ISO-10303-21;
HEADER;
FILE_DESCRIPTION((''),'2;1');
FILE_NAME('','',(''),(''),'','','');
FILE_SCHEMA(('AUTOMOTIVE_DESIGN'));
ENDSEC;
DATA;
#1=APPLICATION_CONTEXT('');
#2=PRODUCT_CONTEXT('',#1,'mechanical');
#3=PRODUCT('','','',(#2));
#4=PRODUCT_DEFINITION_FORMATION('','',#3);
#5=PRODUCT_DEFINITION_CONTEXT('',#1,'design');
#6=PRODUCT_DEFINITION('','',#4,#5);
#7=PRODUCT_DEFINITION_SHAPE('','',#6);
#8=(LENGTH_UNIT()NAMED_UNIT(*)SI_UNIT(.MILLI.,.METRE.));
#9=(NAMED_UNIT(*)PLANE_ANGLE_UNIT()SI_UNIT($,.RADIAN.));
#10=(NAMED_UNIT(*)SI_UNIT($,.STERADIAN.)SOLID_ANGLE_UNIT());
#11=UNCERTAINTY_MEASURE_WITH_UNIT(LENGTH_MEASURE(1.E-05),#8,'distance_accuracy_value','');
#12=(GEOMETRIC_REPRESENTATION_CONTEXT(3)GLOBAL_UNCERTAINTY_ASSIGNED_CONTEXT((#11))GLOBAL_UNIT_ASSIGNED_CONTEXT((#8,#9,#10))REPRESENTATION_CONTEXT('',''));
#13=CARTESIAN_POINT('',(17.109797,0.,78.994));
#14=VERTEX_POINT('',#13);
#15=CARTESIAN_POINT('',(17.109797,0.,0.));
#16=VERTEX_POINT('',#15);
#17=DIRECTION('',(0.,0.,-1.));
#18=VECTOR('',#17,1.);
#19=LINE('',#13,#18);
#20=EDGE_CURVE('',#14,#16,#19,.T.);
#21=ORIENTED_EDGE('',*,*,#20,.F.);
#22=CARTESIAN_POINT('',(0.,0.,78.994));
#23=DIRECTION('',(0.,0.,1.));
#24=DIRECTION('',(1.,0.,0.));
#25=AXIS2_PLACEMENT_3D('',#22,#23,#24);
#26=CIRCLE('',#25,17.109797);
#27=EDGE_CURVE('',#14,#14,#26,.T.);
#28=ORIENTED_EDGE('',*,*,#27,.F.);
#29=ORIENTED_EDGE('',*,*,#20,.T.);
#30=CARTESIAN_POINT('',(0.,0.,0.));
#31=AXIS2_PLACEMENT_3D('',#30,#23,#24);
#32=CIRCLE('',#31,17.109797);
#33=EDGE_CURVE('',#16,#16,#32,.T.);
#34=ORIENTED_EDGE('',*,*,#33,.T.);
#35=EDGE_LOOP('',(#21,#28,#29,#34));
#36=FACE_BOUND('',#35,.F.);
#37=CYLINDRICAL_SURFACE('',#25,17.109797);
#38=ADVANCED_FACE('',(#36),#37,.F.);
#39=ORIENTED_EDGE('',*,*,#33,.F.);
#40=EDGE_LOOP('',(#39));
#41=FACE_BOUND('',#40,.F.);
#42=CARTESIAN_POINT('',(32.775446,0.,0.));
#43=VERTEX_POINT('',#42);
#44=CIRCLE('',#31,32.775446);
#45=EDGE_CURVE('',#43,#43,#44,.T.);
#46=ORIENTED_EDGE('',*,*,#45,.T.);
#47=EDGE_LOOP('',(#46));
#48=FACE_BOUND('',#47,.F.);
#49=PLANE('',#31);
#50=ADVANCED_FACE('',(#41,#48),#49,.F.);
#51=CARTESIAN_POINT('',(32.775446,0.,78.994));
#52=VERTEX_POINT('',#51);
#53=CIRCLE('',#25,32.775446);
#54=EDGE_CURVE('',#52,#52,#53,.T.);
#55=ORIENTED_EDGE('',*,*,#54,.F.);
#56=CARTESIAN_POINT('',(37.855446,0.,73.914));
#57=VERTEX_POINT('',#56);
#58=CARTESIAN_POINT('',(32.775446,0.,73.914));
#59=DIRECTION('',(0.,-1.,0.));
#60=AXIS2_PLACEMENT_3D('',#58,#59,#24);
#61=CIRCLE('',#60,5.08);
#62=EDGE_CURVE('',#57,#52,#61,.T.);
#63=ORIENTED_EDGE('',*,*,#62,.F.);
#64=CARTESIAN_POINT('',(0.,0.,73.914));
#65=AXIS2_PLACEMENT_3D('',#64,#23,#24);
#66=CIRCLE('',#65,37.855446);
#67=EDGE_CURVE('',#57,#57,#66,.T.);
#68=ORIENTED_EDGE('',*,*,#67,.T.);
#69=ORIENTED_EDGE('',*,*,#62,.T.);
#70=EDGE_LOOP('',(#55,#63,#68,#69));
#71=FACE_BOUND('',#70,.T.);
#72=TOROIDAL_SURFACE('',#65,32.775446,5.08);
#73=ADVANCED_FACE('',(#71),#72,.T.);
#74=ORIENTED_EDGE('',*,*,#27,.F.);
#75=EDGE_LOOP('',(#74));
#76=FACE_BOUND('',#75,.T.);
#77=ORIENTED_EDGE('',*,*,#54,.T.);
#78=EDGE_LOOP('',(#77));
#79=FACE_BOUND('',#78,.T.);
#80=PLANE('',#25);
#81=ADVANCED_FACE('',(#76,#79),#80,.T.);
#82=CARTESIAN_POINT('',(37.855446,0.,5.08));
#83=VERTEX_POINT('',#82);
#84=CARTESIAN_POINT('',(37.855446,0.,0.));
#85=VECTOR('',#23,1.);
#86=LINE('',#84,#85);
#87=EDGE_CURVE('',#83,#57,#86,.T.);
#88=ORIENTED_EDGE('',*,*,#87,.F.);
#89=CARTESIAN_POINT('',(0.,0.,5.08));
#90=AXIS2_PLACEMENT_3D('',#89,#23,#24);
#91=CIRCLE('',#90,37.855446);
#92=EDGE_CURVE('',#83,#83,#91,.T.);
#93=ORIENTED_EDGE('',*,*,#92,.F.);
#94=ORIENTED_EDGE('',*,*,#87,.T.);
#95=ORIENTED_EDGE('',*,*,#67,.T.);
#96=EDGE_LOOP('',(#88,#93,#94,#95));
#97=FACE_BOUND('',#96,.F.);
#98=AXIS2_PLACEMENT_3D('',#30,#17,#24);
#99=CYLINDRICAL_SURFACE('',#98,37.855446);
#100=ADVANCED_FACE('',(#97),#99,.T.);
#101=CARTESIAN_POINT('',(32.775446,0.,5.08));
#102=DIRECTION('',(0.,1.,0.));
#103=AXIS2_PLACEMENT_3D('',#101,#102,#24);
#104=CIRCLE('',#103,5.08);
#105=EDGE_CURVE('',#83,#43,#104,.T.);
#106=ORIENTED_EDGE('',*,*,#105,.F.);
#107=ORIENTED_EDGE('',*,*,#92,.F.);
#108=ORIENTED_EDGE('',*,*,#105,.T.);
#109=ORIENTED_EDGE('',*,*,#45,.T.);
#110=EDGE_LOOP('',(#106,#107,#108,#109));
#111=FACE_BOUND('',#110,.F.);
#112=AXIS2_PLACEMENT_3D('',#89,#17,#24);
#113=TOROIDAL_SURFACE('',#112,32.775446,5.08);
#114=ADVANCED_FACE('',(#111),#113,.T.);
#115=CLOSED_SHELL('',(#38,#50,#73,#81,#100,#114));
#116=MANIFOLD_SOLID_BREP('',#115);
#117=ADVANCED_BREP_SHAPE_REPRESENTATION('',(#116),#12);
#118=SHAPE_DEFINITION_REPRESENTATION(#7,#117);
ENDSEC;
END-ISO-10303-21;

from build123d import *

# Parameters (mm, degrees)
F0_R     = 37.855446
F1_DEPTH = 78.994
F2_R     = 5.08
F3_R     = 17.109797
F4_DEPTH = 118.11


with BuildPart() as f1:
    # F0 (on Top) → F1 (new body)
    with BuildSketch(Plane.XY):
        Circle(F0_R)
    extrude(amount=F1_DEPTH)

    # F2
    f2_edges = [f1.edges().sort_by_distance(p)[0] for p in [
        (37.855446, 0, 39.497),
        (-37.855446, 0, 0),
        (-37.855446, 0, 78.994),
    ]]
    fillet(f2_edges, radius=F2_R)

    # F3 (on face) → F4 (cut)
    with BuildSketch(Plane.XY.offset(78.994)):
        Circle(F3_R)
    extrude(amount=-F4_DEPTH, mode=Mode.SUBTRACT)


solid = f1.part
